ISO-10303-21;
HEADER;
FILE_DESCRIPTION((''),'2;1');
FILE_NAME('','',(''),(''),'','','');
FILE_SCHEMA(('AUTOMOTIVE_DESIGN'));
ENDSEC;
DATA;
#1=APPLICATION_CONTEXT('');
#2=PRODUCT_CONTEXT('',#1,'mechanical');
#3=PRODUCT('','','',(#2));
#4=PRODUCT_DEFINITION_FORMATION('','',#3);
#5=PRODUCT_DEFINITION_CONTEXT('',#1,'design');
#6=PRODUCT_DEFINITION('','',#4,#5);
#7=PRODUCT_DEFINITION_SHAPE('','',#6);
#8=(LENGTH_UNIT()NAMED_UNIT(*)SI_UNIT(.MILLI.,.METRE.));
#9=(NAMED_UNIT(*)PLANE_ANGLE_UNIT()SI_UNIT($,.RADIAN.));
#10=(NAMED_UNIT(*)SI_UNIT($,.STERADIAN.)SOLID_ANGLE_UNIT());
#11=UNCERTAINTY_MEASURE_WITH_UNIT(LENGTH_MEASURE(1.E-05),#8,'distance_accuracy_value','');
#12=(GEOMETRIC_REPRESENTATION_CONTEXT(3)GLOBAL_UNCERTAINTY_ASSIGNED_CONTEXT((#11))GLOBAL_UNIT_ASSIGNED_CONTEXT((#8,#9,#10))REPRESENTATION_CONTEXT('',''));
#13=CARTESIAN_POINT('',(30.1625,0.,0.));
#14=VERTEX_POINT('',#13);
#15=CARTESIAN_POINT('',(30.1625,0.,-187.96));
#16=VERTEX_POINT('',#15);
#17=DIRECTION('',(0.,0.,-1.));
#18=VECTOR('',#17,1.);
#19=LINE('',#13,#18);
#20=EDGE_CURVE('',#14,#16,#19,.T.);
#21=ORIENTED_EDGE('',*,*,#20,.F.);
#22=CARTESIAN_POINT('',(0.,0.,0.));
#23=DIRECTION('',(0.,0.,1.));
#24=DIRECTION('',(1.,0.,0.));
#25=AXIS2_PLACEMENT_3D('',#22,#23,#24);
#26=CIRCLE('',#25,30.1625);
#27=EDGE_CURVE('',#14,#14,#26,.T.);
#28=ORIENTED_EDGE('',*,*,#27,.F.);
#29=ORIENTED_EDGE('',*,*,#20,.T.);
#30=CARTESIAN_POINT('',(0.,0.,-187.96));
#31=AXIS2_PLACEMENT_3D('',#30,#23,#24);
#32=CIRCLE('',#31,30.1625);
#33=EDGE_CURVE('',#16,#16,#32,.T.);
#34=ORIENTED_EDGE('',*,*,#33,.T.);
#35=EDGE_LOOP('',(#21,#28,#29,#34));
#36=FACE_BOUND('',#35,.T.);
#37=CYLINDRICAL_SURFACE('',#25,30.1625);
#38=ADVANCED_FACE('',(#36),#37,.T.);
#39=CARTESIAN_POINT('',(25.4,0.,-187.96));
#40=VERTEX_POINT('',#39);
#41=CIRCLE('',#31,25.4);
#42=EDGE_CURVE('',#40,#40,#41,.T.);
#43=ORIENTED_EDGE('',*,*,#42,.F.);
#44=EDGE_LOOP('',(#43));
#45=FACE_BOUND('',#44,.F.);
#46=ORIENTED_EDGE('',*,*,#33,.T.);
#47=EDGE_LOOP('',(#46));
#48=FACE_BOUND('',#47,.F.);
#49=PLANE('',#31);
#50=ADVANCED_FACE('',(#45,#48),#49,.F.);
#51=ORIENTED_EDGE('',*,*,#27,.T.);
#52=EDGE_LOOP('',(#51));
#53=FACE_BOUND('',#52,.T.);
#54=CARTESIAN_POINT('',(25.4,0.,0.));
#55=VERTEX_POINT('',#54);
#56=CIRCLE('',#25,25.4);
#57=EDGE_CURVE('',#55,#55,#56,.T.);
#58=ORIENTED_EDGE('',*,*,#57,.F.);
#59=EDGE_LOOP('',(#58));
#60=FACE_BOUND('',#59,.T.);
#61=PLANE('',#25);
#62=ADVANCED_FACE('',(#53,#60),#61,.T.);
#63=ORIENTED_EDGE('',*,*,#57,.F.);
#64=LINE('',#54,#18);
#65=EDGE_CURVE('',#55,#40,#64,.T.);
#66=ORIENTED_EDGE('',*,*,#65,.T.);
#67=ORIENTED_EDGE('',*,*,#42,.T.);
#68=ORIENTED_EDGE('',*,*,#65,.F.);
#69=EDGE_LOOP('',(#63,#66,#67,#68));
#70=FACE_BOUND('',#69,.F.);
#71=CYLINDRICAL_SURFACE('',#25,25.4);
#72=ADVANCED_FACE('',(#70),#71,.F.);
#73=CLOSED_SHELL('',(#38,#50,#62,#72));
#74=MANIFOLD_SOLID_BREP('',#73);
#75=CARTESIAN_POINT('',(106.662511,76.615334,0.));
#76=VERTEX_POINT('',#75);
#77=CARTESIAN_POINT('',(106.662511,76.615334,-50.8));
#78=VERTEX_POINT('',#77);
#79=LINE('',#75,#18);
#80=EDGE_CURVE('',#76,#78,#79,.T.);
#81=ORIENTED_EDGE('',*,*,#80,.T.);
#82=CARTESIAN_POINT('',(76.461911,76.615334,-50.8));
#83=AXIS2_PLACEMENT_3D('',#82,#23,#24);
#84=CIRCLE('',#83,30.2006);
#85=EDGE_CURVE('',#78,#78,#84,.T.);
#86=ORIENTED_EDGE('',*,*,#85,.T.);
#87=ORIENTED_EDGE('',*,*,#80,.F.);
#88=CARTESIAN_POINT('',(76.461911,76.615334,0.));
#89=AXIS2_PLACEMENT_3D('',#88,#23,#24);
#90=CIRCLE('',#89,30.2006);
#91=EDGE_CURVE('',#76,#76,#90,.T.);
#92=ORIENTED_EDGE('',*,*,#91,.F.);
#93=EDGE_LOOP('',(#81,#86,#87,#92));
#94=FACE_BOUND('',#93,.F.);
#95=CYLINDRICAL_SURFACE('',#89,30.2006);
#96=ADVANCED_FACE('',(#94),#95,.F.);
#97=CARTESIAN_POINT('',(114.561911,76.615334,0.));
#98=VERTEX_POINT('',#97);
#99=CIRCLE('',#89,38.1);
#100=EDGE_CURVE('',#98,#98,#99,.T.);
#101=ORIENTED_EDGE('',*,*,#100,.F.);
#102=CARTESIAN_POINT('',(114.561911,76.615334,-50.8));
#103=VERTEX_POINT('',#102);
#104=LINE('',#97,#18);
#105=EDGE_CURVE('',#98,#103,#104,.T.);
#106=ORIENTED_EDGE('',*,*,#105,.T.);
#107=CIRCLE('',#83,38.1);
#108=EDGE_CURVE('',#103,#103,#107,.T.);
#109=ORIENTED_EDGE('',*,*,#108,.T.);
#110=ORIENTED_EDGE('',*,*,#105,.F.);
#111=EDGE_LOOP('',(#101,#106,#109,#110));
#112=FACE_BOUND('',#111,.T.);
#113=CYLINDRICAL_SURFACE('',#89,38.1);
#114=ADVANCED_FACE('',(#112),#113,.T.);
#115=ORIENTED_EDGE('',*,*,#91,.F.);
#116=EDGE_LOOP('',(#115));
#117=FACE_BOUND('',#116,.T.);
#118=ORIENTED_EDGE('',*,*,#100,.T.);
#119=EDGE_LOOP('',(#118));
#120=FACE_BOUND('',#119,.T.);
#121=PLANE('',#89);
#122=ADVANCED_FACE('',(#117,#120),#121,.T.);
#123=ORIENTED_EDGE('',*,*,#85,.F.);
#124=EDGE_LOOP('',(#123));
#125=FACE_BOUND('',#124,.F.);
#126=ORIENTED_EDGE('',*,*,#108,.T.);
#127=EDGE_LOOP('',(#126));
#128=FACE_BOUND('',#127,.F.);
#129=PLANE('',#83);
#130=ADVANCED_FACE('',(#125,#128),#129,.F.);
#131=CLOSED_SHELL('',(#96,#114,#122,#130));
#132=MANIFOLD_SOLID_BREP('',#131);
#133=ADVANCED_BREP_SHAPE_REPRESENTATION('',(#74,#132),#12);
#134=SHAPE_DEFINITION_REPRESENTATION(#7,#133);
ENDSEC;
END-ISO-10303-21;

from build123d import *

# Parameters (mm, degrees)
F0_R     = 30.1625
F0_R_2   = 25.4
F1_DEPTH = 187.96
F2_R     = 38.1
F2_R_2   = 30.2006
F3_DEPTH = 50.8


with BuildPart() as f1:
    # F0 (on Top) → F1 (new body)
    with BuildSketch(Plane.XY):
        Circle(F0_R)
        Circle(F0_R_2, mode=Mode.SUBTRACT)
    extrude(amount=-F1_DEPTH)


with BuildPart() as f3:
    # F2 (on Top) → F3 (new body)
    with BuildSketch(Plane.XY):
        with Locations((76.461911, 76.615334)):
            Circle(F2_R)
        with Locations((76.461911, 76.615334)):
            Circle(F2_R_2, mode=Mode.SUBTRACT)
    extrude(amount=-F3_DEPTH)


solid = Compound([f1.part, f3.part])
